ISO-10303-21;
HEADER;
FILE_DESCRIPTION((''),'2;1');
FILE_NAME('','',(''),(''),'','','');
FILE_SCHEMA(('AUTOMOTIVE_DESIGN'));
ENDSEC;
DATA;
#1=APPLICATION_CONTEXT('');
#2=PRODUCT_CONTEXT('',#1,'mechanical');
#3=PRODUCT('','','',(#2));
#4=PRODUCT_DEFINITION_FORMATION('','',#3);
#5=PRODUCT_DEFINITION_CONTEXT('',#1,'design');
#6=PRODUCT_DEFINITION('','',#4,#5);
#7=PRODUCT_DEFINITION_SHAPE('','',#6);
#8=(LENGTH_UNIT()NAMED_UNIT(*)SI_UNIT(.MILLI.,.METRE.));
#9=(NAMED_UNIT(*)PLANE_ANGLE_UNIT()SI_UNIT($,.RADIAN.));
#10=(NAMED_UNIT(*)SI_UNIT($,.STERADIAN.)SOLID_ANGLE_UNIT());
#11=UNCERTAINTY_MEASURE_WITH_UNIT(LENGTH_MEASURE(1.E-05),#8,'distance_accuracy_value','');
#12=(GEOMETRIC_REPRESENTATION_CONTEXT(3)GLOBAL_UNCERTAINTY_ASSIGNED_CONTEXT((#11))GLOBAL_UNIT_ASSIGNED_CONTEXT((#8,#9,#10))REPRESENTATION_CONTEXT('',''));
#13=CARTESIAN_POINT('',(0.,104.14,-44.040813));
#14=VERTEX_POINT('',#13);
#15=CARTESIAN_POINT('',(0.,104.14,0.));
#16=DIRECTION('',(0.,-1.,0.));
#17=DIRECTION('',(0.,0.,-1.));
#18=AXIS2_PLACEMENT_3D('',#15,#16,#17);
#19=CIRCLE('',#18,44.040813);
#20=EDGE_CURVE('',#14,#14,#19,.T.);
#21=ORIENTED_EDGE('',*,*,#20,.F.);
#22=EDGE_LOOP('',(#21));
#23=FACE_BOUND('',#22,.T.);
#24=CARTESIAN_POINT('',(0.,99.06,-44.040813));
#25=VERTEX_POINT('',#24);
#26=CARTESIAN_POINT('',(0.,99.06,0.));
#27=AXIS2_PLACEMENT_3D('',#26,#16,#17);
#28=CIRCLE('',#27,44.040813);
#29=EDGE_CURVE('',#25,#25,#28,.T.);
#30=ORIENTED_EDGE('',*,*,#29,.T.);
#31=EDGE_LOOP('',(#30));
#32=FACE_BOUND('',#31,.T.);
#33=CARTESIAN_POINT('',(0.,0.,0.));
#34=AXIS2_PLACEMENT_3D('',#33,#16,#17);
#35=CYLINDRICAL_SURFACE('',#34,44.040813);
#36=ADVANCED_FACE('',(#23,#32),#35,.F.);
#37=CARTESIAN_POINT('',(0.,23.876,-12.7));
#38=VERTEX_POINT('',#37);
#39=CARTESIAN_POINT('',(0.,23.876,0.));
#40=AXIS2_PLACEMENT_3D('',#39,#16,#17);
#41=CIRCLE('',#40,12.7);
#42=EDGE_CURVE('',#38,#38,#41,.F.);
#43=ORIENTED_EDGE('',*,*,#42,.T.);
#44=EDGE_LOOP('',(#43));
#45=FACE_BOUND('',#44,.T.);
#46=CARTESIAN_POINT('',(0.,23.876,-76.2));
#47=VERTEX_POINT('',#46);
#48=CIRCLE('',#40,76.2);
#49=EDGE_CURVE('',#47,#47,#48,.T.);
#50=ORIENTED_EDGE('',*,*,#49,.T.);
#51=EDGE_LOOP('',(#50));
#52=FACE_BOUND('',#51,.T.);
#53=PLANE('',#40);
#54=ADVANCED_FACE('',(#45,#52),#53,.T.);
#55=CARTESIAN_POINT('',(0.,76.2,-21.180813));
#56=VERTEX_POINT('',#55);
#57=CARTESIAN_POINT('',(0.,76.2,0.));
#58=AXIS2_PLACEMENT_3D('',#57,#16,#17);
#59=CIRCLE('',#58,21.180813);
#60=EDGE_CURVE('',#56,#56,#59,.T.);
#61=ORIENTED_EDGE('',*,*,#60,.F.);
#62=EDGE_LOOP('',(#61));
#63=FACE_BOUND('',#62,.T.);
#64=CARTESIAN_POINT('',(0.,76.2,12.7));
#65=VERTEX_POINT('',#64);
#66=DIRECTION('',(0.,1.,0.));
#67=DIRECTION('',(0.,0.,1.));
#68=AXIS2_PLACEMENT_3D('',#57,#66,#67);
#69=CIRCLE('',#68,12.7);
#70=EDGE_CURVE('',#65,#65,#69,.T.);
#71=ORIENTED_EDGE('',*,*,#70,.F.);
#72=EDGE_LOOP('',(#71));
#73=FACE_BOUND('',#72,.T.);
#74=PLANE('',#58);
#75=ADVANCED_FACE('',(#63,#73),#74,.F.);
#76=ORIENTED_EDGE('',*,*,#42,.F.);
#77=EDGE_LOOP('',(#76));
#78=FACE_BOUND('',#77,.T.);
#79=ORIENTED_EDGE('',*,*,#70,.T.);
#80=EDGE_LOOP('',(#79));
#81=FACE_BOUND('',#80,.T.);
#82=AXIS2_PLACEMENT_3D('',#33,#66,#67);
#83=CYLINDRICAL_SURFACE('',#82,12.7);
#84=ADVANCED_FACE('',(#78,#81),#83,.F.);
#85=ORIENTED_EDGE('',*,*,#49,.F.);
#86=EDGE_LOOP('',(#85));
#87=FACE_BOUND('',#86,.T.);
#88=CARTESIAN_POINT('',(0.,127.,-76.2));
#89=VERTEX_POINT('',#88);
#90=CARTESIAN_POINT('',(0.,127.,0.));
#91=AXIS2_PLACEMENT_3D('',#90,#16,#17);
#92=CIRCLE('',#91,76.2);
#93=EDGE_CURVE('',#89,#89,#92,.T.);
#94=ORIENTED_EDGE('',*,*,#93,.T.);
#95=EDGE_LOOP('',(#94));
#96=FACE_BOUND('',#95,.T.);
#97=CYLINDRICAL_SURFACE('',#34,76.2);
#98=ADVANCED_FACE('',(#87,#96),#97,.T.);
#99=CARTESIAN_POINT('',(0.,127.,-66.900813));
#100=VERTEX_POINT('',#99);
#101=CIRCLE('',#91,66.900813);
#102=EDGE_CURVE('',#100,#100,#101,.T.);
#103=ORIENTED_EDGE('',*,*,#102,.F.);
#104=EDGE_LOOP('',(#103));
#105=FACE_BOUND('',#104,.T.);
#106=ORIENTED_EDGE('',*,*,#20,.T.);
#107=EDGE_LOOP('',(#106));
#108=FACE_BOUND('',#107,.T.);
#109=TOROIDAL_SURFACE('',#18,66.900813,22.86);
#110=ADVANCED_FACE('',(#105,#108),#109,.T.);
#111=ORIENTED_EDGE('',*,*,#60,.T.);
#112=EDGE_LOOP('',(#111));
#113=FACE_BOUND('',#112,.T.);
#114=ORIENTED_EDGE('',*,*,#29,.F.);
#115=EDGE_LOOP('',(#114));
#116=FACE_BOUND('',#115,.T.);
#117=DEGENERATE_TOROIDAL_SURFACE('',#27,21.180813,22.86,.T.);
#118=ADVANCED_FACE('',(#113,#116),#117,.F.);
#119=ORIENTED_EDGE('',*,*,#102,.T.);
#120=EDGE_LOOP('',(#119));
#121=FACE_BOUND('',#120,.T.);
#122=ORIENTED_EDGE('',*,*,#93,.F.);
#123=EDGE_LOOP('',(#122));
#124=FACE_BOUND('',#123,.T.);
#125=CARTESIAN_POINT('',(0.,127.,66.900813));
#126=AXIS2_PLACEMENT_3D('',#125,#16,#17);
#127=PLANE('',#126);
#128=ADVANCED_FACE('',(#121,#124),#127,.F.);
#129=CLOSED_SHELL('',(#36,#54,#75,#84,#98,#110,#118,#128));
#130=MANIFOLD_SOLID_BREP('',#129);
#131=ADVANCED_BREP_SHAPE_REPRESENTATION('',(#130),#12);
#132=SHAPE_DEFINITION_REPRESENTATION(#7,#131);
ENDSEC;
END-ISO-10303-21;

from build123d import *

# Parameters (mm, degrees)
SKETCH2_R          = 12.7
CUT_EXTRUDE1_DEPTH = 77.2
SKETCH3_R          = 76.2
CUT_EXTRUDE2_DEPTH = 23.876


with BuildPart() as part:
    # Sketch1 → Revolve1 (revolve)
    with BuildSketch(Plane(origin=(0, 0, 0), x_dir=(0, 0, -1), z_dir=(1, 0, 0))):
        with BuildLine():
            Line((0, 0), (0, 76.2))
            Line((0, 76.2), (-21.180812514, 76.2))
            ThreePointArc((-21.180812514, 76.2), (-37.345273532, 82.895538982), (-44.040812514, 99.06))
            Line((-44.040812514, 99.06), (-44.040812514, 104.14))
            ThreePointArc((-44.040812514, 104.14), (-50.736351496, 120.304461018), (-66.900812514, 127))
            Line((-66.900812514, 127), (-76.2, 127))
            Line((-76.2, 127), (-76.2, 0))
            Line((-76.2, 0), (0, 0))
        make_face()
    revolve(axis=Axis((0, 0, 0), (0, 1, 0)))

    # Sketch2 → Cut-Extrude1 (cut, through all)
    with BuildSketch(Plane(origin=(0, 76.2, 0), x_dir=(1, 0, 0), z_dir=(0, 1, 0))):
        Circle(SKETCH2_R)
    extrude(amount=-CUT_EXTRUDE1_DEPTH, mode=Mode.SUBTRACT)

    # Sketch3 → Cut-Extrude2 (cut)
    with BuildSketch(Plane(origin=(0, 0, 0), x_dir=(-1, 0, 0), z_dir=(0, -1, 0))):
        Circle(SKETCH3_R)
    extrude(amount=-CUT_EXTRUDE2_DEPTH, mode=Mode.SUBTRACT)


solid = part.part
